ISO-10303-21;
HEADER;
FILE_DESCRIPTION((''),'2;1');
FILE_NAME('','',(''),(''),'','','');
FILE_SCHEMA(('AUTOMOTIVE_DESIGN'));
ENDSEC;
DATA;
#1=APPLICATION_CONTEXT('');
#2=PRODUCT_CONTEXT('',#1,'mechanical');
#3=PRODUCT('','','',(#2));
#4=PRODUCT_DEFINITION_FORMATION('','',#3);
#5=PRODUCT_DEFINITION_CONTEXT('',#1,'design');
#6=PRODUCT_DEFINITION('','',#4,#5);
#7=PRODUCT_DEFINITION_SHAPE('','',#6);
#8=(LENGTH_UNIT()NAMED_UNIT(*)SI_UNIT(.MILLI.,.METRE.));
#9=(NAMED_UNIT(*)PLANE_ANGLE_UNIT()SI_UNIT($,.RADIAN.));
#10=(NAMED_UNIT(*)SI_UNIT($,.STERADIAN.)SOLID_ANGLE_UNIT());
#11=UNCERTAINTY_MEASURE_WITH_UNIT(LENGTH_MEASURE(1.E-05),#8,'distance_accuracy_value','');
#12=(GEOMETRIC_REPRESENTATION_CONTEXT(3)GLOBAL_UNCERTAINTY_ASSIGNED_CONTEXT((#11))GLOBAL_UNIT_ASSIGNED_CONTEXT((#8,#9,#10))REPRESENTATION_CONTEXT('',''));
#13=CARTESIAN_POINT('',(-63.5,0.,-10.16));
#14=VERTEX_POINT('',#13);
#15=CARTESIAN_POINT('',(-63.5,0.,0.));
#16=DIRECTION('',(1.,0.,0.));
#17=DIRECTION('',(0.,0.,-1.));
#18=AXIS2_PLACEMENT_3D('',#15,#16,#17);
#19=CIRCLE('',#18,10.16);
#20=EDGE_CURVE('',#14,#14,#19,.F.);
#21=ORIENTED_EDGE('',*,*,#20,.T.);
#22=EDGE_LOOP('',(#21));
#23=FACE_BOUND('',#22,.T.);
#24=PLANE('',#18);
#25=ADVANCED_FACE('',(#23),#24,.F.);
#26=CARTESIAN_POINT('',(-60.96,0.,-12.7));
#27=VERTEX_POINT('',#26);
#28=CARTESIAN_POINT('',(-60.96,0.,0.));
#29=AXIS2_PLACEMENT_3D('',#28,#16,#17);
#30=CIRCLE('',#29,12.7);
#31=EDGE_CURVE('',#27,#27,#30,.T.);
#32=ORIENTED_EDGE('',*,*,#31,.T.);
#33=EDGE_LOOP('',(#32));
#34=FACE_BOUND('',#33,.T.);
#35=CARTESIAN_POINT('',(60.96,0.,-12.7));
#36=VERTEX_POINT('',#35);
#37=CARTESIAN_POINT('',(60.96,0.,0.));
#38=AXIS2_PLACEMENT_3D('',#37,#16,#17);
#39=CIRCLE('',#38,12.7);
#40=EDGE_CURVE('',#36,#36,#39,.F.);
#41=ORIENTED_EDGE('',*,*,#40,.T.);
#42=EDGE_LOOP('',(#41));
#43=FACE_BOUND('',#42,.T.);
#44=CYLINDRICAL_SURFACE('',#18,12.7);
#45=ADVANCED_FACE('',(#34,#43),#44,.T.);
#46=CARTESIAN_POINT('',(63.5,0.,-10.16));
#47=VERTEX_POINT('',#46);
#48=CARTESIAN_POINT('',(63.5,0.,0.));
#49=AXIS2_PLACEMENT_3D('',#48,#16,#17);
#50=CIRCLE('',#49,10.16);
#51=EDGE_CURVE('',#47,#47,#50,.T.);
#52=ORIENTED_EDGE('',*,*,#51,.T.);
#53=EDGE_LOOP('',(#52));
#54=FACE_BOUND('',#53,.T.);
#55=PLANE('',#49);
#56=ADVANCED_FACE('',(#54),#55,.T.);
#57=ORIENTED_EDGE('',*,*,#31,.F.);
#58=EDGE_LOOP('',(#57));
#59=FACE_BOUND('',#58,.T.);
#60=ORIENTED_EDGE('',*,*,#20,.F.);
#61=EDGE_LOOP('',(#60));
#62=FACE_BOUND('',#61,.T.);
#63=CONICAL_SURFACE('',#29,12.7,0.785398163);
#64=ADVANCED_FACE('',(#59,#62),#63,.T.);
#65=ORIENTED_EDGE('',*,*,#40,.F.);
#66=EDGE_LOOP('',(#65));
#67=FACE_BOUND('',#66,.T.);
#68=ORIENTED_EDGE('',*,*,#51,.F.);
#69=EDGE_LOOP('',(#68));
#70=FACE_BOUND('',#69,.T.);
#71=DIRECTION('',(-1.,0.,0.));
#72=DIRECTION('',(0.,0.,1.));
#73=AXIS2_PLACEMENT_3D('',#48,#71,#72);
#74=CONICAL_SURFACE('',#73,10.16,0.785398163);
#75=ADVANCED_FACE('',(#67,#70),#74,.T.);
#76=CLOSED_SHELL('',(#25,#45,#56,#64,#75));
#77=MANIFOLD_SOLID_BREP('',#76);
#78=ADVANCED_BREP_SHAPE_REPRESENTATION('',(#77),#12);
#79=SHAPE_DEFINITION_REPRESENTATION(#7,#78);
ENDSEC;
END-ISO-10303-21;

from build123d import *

# Parameters (mm, degrees)
EXTRUDE1_DEPTH      = 63.5
EXTRUDE1_DEPTH_BACK = 63.5
SKETCH2_R           = 12.7
CHAMFER1_SIZE       = 2.54


with BuildPart() as part:
    # Sketch2 → Extrude1 (new, two sides: drawn at the far end of the back side and taken through both)
    with BuildSketch(Plane(origin=(0, 0, 0), x_dir=(0, 0, -1), z_dir=(1, 0, 0)).offset(-EXTRUDE1_DEPTH_BACK)):
        Circle(SKETCH2_R)
    extrude(amount=EXTRUDE1_DEPTH + EXTRUDE1_DEPTH_BACK)

    # Chamfer1
    chamfer1_edges = [part.edges().sort_by_distance(p)[0] for p in [
        (-63.5, 0, 12.7),
        (63.5, 0, 12.7),
    ]]
    chamfer(chamfer1_edges, length=CHAMFER1_SIZE)


solid = part.part
